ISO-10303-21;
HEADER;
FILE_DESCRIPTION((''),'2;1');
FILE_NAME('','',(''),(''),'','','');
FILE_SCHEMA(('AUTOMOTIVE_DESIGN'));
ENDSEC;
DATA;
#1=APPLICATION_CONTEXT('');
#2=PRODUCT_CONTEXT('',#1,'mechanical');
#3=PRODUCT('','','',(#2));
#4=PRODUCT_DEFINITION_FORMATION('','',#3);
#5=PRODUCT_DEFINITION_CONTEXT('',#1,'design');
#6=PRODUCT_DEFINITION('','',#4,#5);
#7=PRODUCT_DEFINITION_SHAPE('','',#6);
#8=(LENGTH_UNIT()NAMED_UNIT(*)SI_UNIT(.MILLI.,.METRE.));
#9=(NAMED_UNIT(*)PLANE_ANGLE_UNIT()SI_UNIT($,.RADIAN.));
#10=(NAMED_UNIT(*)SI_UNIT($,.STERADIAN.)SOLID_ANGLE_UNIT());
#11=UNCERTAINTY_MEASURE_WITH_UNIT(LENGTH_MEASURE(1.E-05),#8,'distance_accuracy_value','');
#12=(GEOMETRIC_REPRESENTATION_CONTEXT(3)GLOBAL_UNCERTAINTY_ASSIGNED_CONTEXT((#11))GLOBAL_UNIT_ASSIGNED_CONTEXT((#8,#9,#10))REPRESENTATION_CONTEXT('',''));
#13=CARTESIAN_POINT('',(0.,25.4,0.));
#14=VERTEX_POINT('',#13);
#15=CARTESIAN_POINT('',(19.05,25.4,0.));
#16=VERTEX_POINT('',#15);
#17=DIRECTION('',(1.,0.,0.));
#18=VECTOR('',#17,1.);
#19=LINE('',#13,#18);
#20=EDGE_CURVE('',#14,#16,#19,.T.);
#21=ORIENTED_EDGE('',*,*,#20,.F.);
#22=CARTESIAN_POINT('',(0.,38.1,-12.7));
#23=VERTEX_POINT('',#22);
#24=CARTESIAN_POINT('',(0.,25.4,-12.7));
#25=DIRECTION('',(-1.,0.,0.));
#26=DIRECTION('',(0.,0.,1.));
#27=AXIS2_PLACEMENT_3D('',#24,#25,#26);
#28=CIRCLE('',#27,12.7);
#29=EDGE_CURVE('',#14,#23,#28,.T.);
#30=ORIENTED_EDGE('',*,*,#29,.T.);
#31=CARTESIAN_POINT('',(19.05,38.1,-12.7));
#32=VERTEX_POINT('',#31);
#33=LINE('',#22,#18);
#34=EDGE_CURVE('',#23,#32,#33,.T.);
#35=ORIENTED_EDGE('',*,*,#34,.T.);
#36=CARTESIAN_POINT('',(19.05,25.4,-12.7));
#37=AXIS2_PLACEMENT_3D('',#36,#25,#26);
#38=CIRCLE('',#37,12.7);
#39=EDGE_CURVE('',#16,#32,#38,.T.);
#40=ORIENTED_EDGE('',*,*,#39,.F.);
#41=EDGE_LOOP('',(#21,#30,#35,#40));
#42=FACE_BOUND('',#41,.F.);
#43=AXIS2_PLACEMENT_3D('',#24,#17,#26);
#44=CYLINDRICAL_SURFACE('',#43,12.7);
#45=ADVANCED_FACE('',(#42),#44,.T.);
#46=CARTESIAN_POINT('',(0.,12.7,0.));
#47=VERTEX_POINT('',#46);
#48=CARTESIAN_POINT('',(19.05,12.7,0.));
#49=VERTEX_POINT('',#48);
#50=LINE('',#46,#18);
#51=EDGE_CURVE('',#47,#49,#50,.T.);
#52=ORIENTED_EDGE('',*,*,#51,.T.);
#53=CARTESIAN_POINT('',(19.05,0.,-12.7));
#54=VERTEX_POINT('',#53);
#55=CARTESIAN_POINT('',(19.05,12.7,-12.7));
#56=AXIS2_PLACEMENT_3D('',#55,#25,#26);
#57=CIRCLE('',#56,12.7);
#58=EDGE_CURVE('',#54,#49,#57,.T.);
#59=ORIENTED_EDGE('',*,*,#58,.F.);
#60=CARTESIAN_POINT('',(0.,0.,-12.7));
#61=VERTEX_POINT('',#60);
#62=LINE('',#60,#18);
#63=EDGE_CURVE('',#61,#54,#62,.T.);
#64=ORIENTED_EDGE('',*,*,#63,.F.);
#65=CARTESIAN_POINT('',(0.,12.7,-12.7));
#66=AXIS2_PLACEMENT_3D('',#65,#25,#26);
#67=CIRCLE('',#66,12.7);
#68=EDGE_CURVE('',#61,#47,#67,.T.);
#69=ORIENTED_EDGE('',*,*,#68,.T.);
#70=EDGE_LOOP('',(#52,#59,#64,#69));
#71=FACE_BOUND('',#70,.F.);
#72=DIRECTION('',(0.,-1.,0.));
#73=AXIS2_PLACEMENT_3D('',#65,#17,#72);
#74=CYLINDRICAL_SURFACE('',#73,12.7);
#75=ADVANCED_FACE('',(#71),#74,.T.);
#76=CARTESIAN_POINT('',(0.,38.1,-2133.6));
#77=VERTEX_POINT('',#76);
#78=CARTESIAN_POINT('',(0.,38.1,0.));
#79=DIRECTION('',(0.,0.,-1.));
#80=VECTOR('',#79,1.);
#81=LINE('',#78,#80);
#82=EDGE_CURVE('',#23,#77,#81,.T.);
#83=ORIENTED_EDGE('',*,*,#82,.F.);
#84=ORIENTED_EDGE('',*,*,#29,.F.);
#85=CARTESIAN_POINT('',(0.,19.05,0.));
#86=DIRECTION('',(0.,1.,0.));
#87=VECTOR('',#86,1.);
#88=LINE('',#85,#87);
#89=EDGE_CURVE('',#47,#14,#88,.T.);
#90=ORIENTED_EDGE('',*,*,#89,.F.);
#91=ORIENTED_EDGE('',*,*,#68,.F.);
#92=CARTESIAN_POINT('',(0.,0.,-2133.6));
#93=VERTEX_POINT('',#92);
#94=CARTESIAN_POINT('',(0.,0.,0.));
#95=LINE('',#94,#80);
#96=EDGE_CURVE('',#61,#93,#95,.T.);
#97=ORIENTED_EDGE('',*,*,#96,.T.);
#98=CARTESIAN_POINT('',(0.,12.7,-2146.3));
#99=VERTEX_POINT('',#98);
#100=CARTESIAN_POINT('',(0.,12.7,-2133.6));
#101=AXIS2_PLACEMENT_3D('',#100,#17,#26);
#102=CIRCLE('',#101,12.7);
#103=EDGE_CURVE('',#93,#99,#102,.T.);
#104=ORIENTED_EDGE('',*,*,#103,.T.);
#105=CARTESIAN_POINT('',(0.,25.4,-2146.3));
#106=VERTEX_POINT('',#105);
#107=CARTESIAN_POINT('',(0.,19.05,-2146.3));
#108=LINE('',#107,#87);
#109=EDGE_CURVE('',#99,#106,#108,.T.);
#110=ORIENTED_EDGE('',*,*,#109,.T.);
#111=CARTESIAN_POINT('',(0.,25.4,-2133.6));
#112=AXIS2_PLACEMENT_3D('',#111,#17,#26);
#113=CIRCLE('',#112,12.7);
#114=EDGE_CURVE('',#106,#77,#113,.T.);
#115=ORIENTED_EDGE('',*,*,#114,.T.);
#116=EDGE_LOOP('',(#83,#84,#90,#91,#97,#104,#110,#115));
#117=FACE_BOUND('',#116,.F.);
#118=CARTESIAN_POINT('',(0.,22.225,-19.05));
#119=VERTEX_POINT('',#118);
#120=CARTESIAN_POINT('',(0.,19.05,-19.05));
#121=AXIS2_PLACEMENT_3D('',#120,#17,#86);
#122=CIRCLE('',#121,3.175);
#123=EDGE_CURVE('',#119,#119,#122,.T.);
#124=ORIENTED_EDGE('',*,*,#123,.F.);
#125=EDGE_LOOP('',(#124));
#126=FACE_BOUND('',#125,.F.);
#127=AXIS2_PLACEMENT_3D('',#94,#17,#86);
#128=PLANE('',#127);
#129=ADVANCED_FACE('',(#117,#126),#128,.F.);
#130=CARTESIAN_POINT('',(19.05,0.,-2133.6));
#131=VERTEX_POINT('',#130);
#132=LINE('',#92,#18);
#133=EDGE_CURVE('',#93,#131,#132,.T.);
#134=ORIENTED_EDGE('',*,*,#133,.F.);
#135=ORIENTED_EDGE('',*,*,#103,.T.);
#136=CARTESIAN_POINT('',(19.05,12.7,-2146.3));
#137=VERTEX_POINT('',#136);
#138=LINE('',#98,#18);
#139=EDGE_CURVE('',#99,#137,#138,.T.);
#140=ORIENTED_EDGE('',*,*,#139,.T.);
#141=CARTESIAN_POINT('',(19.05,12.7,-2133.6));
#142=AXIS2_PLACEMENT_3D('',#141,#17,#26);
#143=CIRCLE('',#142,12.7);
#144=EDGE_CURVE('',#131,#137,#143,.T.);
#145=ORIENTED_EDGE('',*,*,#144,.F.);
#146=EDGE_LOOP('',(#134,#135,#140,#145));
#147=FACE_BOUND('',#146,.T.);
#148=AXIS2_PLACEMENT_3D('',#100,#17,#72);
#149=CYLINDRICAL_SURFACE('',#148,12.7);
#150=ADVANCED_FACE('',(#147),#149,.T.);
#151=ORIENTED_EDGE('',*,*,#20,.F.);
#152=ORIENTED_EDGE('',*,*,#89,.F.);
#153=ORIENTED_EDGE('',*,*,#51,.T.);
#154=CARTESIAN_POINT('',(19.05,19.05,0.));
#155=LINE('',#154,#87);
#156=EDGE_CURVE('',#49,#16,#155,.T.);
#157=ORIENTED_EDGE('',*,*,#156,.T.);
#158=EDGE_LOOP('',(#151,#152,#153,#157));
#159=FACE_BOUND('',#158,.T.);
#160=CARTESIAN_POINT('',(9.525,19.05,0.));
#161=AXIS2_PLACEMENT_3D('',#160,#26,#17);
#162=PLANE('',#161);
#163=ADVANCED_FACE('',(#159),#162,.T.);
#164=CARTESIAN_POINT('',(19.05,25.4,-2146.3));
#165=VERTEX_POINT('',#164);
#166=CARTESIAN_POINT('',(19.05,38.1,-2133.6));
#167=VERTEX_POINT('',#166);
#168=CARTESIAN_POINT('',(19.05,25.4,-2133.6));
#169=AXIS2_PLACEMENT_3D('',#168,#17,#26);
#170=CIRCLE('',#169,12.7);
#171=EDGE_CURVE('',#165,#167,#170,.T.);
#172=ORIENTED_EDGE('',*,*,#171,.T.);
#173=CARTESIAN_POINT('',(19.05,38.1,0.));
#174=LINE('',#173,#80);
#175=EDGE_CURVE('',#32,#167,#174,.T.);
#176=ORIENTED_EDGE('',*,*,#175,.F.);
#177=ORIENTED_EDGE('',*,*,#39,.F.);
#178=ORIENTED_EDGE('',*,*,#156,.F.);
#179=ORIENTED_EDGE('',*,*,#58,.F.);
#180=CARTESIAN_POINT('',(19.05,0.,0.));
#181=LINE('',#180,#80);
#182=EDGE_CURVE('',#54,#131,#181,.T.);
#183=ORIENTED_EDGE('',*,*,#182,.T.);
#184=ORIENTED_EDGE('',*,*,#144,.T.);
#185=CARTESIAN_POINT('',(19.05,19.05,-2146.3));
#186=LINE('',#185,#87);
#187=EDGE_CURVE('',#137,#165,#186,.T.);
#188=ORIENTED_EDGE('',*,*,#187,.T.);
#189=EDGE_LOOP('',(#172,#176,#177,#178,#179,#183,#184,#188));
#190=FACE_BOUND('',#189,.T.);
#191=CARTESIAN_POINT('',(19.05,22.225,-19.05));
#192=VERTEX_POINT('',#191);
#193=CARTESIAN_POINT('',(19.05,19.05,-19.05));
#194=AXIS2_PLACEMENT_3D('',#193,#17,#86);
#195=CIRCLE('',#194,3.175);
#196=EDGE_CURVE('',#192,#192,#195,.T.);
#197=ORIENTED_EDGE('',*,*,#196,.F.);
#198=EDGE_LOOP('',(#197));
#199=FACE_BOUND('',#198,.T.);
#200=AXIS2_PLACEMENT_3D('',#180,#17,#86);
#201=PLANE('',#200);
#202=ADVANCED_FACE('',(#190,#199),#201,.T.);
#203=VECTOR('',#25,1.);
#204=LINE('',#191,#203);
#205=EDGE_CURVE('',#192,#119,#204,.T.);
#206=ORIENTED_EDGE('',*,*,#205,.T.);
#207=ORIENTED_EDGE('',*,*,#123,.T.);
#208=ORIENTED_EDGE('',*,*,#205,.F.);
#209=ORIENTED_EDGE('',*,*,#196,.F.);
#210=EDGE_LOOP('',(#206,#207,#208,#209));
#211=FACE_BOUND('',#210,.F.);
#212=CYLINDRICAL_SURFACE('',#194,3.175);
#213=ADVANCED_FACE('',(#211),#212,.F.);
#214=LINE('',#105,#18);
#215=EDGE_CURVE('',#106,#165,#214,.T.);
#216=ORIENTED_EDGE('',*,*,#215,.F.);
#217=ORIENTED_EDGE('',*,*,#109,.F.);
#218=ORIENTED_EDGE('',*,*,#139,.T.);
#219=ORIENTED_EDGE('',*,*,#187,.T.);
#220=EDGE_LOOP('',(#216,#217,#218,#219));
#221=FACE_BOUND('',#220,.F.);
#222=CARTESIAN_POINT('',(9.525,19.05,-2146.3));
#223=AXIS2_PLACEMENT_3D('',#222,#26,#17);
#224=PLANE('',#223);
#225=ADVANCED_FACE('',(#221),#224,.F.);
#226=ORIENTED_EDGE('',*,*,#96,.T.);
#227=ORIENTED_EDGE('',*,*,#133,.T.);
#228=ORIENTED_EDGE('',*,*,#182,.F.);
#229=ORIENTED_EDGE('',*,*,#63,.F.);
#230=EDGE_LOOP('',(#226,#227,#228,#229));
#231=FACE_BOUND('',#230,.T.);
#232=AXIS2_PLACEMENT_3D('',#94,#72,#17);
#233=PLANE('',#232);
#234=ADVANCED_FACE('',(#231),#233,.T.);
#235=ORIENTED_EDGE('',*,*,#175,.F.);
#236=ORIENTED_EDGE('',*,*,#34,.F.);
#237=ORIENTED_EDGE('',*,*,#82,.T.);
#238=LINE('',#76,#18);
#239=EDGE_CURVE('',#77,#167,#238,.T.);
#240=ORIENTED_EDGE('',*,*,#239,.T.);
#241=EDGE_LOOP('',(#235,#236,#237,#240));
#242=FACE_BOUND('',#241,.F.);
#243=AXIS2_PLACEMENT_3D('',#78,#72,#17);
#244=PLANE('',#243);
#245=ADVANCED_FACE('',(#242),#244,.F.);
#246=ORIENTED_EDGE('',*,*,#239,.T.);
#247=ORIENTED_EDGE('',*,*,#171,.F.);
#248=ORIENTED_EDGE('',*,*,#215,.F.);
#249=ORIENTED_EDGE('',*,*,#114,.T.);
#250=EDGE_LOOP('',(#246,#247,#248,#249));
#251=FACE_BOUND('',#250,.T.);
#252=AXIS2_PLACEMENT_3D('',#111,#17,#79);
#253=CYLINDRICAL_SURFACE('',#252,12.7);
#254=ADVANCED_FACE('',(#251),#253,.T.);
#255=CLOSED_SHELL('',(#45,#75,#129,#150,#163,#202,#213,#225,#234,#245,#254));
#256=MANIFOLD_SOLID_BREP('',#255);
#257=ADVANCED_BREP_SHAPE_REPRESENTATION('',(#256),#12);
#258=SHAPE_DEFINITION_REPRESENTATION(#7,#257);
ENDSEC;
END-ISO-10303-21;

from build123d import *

# Parameters (mm, degrees)
F0_W     = 19.05
F0_H     = 38.1
F1_DEPTH = 2146.3
F2_R     = 3.175
F3_DEPTH = 19.051
F4_R     = 12.7


with BuildPart() as f1:
    # F0 (on Top) → F1 (new body)
    with BuildSketch(Plane.XY):
        with Locations((9.525, 19.05)):
            Rectangle(F0_W, F0_H)
    extrude(amount=-F1_DEPTH)

    # F2 (on face) → F3 (cut, through all)
    with BuildSketch(Plane.YZ.offset(19.05)):
        with Locations((19.05, -19.05)):
            Circle(F2_R)
    extrude(amount=-F3_DEPTH, mode=Mode.SUBTRACT)

    # F4
    f4_edges = [f1.edges().sort_by_distance(p)[0] for p in [
        (9.525, 0, 0),
        (9.525, 38.1, 0),
        (9.525, 0, -2146.3),
        (9.525, 38.1, -2146.3),
    ]]
    fillet(f4_edges, radius=F4_R)


solid = f1.part
